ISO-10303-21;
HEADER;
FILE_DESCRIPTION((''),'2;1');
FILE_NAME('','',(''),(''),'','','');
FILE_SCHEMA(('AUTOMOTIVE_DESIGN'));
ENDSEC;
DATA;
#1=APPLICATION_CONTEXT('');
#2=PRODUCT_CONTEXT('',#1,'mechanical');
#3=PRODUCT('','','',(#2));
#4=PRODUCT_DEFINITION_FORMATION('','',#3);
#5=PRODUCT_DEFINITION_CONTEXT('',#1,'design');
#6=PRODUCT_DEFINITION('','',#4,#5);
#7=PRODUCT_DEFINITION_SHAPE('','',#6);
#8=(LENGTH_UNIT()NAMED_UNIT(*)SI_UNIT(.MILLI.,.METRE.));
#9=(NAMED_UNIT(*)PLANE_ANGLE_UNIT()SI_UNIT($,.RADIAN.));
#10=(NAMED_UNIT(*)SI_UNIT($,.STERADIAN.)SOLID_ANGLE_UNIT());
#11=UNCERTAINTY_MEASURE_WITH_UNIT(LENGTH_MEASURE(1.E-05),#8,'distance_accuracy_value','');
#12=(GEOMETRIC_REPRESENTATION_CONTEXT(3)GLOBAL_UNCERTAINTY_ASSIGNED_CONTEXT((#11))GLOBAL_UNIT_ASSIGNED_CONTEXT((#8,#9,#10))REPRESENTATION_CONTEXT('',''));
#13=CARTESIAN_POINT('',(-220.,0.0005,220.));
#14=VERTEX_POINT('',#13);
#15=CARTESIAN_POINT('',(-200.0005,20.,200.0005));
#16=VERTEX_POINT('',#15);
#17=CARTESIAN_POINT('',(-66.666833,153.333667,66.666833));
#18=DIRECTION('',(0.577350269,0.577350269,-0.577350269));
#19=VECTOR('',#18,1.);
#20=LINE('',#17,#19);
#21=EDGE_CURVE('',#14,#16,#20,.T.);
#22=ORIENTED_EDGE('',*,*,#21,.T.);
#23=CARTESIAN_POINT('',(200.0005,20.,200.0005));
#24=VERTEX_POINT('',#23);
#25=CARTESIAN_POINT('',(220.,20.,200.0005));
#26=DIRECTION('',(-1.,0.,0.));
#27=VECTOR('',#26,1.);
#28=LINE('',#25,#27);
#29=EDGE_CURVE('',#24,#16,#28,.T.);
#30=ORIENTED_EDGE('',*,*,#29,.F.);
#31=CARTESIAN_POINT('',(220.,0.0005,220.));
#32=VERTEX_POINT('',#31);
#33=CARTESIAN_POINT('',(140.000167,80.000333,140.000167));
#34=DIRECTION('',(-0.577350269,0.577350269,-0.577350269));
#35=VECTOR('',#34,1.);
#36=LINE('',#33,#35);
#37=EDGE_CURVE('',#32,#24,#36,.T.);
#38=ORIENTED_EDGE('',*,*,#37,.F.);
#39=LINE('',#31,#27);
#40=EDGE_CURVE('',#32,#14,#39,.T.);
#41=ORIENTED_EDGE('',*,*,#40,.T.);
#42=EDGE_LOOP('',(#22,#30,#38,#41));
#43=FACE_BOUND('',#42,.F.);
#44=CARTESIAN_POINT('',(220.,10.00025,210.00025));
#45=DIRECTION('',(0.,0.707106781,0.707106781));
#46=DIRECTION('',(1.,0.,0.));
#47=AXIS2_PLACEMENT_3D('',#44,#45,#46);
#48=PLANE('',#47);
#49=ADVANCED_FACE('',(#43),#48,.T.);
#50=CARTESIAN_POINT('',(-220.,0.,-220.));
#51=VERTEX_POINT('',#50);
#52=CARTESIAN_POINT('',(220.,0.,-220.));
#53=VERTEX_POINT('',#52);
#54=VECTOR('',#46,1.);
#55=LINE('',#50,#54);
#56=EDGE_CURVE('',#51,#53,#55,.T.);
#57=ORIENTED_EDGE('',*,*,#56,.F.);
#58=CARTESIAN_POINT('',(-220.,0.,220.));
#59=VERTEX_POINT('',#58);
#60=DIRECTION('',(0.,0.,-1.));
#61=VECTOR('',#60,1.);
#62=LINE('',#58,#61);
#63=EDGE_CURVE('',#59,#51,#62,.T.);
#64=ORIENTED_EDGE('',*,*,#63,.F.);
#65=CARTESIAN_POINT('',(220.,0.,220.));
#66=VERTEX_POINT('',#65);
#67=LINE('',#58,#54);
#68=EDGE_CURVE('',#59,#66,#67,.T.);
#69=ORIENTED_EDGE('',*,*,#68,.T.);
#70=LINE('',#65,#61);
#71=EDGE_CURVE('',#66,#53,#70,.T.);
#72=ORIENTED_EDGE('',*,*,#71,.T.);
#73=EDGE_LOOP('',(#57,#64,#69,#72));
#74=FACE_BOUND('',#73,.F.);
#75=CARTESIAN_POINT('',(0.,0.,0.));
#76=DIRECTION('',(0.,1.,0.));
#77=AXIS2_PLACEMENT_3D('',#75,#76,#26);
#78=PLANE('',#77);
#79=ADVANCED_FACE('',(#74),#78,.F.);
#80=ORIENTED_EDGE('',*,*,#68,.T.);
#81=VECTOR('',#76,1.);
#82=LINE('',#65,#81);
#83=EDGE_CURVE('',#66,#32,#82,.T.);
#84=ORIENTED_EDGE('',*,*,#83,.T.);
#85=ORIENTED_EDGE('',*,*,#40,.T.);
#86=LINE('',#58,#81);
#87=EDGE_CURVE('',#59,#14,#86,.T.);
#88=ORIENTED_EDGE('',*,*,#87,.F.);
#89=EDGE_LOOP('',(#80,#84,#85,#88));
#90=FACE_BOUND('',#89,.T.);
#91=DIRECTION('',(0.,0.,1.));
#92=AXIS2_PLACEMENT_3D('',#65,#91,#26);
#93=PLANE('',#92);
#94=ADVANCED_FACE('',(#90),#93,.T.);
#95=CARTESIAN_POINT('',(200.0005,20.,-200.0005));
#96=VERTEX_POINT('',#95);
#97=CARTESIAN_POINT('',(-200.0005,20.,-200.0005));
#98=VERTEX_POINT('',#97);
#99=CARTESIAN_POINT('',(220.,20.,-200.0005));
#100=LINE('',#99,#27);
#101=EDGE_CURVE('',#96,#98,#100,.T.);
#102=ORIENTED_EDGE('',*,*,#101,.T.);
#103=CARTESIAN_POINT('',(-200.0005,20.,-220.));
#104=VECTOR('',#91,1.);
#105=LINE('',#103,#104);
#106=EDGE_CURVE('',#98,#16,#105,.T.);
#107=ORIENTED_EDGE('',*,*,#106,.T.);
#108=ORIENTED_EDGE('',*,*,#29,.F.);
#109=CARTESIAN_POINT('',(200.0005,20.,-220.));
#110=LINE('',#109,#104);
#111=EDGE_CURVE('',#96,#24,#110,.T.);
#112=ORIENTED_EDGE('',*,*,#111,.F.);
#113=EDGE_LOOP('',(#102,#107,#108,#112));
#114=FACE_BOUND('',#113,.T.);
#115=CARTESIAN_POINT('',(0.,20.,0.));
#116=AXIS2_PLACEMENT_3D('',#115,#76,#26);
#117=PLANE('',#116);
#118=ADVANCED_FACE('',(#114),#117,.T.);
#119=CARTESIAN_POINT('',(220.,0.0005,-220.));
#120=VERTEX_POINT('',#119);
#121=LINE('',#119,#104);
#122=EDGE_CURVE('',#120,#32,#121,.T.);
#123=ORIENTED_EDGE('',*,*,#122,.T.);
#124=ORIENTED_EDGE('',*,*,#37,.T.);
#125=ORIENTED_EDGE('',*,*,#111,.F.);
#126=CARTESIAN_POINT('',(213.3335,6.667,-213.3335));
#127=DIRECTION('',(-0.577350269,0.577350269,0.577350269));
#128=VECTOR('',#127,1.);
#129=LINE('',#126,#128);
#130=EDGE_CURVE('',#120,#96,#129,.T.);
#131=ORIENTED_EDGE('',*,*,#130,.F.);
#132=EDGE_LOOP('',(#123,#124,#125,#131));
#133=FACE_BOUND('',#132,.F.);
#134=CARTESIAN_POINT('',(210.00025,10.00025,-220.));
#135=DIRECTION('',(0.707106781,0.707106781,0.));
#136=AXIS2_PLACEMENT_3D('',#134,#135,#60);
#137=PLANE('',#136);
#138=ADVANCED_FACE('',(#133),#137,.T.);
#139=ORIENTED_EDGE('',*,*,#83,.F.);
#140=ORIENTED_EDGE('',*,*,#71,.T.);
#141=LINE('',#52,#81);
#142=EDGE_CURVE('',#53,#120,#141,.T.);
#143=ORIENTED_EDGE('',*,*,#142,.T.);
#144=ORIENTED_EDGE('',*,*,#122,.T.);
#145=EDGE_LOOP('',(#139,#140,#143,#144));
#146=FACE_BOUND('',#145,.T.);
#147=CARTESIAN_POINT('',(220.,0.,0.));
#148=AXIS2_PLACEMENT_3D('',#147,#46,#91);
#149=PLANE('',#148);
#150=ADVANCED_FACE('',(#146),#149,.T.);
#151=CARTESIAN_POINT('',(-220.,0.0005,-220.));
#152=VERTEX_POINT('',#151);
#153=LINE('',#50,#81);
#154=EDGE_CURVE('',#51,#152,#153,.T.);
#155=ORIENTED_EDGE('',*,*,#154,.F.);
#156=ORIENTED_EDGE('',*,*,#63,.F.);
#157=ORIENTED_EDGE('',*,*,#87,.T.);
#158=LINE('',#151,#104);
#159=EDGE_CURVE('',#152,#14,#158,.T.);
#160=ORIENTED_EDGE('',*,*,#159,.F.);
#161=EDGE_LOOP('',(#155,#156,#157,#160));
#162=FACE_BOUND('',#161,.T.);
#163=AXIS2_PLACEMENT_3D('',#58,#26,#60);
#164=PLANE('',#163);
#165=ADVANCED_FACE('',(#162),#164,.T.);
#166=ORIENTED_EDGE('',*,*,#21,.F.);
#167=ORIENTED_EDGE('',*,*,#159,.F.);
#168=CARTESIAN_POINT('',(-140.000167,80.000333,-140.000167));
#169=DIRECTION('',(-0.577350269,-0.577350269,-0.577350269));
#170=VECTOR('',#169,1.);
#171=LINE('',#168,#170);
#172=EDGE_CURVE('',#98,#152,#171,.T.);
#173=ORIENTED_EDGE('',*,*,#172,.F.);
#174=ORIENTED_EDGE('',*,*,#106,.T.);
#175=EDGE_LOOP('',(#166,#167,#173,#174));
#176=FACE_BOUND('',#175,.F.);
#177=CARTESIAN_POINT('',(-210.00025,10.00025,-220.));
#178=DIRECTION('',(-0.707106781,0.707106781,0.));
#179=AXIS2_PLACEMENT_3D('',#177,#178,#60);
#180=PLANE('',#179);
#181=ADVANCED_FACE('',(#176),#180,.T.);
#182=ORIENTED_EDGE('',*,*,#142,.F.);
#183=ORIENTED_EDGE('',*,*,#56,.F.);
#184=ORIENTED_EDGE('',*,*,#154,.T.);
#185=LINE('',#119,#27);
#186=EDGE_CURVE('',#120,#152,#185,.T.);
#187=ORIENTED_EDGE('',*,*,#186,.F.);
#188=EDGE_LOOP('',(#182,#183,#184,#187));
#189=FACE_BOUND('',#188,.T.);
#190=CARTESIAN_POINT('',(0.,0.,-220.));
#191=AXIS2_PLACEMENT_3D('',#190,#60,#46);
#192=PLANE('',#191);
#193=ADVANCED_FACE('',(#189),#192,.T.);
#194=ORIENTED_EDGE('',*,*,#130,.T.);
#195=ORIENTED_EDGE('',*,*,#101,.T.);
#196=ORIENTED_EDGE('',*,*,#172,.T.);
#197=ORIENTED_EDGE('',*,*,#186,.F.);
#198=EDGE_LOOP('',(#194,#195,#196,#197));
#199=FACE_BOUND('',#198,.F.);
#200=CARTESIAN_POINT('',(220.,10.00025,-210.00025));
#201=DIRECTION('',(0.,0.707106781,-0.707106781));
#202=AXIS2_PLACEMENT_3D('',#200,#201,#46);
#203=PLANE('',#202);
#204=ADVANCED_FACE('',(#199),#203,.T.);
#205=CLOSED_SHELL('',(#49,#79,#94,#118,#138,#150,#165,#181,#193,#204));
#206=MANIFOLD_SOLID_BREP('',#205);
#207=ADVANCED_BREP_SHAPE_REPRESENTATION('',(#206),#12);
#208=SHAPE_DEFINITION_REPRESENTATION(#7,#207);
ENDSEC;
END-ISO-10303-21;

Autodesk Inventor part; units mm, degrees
ref_plane "YZ Plane" through (0, 0, 0) normal (1, 0, 0) x (0, 1, 0)
ref_plane "XZ Plane" through (0, 0, 0) normal (0, 1, 0) x (-1, 0, 0)
ref_plane "XY Plane" through (0, 0, 0) normal (0, 0, 1) x (1, 0, 0)
sketch "Skizze1" plane through (0, 0, 0) normal (0, 1, 0) x (-1, 0, 0)
  line L0 (-220, 220) -> (220, 220)
  line L1 (220, 220) -> (220, -220)
  line L2 (220, -220) -> (-220, -220)
  line L3 (-220, -220) -> (-220, 220)
  line L4 (308, 0) -> (-308, 0) projected
  line L5 (0, -308) -> (0, 308) projected
  point P0 (0, 0)
  dimension "d0" = 440
  dimension "d1" = 440
extrude "Extrusion1" add sketch "Skizze1" along normal blind 20
chamfer "Fase1" distance 20 angle 45 4 edges at (0, 20, 220) (220, 20, 0) (0, 20, -220) (-220, 20, 0)
properties part number "Boden"
